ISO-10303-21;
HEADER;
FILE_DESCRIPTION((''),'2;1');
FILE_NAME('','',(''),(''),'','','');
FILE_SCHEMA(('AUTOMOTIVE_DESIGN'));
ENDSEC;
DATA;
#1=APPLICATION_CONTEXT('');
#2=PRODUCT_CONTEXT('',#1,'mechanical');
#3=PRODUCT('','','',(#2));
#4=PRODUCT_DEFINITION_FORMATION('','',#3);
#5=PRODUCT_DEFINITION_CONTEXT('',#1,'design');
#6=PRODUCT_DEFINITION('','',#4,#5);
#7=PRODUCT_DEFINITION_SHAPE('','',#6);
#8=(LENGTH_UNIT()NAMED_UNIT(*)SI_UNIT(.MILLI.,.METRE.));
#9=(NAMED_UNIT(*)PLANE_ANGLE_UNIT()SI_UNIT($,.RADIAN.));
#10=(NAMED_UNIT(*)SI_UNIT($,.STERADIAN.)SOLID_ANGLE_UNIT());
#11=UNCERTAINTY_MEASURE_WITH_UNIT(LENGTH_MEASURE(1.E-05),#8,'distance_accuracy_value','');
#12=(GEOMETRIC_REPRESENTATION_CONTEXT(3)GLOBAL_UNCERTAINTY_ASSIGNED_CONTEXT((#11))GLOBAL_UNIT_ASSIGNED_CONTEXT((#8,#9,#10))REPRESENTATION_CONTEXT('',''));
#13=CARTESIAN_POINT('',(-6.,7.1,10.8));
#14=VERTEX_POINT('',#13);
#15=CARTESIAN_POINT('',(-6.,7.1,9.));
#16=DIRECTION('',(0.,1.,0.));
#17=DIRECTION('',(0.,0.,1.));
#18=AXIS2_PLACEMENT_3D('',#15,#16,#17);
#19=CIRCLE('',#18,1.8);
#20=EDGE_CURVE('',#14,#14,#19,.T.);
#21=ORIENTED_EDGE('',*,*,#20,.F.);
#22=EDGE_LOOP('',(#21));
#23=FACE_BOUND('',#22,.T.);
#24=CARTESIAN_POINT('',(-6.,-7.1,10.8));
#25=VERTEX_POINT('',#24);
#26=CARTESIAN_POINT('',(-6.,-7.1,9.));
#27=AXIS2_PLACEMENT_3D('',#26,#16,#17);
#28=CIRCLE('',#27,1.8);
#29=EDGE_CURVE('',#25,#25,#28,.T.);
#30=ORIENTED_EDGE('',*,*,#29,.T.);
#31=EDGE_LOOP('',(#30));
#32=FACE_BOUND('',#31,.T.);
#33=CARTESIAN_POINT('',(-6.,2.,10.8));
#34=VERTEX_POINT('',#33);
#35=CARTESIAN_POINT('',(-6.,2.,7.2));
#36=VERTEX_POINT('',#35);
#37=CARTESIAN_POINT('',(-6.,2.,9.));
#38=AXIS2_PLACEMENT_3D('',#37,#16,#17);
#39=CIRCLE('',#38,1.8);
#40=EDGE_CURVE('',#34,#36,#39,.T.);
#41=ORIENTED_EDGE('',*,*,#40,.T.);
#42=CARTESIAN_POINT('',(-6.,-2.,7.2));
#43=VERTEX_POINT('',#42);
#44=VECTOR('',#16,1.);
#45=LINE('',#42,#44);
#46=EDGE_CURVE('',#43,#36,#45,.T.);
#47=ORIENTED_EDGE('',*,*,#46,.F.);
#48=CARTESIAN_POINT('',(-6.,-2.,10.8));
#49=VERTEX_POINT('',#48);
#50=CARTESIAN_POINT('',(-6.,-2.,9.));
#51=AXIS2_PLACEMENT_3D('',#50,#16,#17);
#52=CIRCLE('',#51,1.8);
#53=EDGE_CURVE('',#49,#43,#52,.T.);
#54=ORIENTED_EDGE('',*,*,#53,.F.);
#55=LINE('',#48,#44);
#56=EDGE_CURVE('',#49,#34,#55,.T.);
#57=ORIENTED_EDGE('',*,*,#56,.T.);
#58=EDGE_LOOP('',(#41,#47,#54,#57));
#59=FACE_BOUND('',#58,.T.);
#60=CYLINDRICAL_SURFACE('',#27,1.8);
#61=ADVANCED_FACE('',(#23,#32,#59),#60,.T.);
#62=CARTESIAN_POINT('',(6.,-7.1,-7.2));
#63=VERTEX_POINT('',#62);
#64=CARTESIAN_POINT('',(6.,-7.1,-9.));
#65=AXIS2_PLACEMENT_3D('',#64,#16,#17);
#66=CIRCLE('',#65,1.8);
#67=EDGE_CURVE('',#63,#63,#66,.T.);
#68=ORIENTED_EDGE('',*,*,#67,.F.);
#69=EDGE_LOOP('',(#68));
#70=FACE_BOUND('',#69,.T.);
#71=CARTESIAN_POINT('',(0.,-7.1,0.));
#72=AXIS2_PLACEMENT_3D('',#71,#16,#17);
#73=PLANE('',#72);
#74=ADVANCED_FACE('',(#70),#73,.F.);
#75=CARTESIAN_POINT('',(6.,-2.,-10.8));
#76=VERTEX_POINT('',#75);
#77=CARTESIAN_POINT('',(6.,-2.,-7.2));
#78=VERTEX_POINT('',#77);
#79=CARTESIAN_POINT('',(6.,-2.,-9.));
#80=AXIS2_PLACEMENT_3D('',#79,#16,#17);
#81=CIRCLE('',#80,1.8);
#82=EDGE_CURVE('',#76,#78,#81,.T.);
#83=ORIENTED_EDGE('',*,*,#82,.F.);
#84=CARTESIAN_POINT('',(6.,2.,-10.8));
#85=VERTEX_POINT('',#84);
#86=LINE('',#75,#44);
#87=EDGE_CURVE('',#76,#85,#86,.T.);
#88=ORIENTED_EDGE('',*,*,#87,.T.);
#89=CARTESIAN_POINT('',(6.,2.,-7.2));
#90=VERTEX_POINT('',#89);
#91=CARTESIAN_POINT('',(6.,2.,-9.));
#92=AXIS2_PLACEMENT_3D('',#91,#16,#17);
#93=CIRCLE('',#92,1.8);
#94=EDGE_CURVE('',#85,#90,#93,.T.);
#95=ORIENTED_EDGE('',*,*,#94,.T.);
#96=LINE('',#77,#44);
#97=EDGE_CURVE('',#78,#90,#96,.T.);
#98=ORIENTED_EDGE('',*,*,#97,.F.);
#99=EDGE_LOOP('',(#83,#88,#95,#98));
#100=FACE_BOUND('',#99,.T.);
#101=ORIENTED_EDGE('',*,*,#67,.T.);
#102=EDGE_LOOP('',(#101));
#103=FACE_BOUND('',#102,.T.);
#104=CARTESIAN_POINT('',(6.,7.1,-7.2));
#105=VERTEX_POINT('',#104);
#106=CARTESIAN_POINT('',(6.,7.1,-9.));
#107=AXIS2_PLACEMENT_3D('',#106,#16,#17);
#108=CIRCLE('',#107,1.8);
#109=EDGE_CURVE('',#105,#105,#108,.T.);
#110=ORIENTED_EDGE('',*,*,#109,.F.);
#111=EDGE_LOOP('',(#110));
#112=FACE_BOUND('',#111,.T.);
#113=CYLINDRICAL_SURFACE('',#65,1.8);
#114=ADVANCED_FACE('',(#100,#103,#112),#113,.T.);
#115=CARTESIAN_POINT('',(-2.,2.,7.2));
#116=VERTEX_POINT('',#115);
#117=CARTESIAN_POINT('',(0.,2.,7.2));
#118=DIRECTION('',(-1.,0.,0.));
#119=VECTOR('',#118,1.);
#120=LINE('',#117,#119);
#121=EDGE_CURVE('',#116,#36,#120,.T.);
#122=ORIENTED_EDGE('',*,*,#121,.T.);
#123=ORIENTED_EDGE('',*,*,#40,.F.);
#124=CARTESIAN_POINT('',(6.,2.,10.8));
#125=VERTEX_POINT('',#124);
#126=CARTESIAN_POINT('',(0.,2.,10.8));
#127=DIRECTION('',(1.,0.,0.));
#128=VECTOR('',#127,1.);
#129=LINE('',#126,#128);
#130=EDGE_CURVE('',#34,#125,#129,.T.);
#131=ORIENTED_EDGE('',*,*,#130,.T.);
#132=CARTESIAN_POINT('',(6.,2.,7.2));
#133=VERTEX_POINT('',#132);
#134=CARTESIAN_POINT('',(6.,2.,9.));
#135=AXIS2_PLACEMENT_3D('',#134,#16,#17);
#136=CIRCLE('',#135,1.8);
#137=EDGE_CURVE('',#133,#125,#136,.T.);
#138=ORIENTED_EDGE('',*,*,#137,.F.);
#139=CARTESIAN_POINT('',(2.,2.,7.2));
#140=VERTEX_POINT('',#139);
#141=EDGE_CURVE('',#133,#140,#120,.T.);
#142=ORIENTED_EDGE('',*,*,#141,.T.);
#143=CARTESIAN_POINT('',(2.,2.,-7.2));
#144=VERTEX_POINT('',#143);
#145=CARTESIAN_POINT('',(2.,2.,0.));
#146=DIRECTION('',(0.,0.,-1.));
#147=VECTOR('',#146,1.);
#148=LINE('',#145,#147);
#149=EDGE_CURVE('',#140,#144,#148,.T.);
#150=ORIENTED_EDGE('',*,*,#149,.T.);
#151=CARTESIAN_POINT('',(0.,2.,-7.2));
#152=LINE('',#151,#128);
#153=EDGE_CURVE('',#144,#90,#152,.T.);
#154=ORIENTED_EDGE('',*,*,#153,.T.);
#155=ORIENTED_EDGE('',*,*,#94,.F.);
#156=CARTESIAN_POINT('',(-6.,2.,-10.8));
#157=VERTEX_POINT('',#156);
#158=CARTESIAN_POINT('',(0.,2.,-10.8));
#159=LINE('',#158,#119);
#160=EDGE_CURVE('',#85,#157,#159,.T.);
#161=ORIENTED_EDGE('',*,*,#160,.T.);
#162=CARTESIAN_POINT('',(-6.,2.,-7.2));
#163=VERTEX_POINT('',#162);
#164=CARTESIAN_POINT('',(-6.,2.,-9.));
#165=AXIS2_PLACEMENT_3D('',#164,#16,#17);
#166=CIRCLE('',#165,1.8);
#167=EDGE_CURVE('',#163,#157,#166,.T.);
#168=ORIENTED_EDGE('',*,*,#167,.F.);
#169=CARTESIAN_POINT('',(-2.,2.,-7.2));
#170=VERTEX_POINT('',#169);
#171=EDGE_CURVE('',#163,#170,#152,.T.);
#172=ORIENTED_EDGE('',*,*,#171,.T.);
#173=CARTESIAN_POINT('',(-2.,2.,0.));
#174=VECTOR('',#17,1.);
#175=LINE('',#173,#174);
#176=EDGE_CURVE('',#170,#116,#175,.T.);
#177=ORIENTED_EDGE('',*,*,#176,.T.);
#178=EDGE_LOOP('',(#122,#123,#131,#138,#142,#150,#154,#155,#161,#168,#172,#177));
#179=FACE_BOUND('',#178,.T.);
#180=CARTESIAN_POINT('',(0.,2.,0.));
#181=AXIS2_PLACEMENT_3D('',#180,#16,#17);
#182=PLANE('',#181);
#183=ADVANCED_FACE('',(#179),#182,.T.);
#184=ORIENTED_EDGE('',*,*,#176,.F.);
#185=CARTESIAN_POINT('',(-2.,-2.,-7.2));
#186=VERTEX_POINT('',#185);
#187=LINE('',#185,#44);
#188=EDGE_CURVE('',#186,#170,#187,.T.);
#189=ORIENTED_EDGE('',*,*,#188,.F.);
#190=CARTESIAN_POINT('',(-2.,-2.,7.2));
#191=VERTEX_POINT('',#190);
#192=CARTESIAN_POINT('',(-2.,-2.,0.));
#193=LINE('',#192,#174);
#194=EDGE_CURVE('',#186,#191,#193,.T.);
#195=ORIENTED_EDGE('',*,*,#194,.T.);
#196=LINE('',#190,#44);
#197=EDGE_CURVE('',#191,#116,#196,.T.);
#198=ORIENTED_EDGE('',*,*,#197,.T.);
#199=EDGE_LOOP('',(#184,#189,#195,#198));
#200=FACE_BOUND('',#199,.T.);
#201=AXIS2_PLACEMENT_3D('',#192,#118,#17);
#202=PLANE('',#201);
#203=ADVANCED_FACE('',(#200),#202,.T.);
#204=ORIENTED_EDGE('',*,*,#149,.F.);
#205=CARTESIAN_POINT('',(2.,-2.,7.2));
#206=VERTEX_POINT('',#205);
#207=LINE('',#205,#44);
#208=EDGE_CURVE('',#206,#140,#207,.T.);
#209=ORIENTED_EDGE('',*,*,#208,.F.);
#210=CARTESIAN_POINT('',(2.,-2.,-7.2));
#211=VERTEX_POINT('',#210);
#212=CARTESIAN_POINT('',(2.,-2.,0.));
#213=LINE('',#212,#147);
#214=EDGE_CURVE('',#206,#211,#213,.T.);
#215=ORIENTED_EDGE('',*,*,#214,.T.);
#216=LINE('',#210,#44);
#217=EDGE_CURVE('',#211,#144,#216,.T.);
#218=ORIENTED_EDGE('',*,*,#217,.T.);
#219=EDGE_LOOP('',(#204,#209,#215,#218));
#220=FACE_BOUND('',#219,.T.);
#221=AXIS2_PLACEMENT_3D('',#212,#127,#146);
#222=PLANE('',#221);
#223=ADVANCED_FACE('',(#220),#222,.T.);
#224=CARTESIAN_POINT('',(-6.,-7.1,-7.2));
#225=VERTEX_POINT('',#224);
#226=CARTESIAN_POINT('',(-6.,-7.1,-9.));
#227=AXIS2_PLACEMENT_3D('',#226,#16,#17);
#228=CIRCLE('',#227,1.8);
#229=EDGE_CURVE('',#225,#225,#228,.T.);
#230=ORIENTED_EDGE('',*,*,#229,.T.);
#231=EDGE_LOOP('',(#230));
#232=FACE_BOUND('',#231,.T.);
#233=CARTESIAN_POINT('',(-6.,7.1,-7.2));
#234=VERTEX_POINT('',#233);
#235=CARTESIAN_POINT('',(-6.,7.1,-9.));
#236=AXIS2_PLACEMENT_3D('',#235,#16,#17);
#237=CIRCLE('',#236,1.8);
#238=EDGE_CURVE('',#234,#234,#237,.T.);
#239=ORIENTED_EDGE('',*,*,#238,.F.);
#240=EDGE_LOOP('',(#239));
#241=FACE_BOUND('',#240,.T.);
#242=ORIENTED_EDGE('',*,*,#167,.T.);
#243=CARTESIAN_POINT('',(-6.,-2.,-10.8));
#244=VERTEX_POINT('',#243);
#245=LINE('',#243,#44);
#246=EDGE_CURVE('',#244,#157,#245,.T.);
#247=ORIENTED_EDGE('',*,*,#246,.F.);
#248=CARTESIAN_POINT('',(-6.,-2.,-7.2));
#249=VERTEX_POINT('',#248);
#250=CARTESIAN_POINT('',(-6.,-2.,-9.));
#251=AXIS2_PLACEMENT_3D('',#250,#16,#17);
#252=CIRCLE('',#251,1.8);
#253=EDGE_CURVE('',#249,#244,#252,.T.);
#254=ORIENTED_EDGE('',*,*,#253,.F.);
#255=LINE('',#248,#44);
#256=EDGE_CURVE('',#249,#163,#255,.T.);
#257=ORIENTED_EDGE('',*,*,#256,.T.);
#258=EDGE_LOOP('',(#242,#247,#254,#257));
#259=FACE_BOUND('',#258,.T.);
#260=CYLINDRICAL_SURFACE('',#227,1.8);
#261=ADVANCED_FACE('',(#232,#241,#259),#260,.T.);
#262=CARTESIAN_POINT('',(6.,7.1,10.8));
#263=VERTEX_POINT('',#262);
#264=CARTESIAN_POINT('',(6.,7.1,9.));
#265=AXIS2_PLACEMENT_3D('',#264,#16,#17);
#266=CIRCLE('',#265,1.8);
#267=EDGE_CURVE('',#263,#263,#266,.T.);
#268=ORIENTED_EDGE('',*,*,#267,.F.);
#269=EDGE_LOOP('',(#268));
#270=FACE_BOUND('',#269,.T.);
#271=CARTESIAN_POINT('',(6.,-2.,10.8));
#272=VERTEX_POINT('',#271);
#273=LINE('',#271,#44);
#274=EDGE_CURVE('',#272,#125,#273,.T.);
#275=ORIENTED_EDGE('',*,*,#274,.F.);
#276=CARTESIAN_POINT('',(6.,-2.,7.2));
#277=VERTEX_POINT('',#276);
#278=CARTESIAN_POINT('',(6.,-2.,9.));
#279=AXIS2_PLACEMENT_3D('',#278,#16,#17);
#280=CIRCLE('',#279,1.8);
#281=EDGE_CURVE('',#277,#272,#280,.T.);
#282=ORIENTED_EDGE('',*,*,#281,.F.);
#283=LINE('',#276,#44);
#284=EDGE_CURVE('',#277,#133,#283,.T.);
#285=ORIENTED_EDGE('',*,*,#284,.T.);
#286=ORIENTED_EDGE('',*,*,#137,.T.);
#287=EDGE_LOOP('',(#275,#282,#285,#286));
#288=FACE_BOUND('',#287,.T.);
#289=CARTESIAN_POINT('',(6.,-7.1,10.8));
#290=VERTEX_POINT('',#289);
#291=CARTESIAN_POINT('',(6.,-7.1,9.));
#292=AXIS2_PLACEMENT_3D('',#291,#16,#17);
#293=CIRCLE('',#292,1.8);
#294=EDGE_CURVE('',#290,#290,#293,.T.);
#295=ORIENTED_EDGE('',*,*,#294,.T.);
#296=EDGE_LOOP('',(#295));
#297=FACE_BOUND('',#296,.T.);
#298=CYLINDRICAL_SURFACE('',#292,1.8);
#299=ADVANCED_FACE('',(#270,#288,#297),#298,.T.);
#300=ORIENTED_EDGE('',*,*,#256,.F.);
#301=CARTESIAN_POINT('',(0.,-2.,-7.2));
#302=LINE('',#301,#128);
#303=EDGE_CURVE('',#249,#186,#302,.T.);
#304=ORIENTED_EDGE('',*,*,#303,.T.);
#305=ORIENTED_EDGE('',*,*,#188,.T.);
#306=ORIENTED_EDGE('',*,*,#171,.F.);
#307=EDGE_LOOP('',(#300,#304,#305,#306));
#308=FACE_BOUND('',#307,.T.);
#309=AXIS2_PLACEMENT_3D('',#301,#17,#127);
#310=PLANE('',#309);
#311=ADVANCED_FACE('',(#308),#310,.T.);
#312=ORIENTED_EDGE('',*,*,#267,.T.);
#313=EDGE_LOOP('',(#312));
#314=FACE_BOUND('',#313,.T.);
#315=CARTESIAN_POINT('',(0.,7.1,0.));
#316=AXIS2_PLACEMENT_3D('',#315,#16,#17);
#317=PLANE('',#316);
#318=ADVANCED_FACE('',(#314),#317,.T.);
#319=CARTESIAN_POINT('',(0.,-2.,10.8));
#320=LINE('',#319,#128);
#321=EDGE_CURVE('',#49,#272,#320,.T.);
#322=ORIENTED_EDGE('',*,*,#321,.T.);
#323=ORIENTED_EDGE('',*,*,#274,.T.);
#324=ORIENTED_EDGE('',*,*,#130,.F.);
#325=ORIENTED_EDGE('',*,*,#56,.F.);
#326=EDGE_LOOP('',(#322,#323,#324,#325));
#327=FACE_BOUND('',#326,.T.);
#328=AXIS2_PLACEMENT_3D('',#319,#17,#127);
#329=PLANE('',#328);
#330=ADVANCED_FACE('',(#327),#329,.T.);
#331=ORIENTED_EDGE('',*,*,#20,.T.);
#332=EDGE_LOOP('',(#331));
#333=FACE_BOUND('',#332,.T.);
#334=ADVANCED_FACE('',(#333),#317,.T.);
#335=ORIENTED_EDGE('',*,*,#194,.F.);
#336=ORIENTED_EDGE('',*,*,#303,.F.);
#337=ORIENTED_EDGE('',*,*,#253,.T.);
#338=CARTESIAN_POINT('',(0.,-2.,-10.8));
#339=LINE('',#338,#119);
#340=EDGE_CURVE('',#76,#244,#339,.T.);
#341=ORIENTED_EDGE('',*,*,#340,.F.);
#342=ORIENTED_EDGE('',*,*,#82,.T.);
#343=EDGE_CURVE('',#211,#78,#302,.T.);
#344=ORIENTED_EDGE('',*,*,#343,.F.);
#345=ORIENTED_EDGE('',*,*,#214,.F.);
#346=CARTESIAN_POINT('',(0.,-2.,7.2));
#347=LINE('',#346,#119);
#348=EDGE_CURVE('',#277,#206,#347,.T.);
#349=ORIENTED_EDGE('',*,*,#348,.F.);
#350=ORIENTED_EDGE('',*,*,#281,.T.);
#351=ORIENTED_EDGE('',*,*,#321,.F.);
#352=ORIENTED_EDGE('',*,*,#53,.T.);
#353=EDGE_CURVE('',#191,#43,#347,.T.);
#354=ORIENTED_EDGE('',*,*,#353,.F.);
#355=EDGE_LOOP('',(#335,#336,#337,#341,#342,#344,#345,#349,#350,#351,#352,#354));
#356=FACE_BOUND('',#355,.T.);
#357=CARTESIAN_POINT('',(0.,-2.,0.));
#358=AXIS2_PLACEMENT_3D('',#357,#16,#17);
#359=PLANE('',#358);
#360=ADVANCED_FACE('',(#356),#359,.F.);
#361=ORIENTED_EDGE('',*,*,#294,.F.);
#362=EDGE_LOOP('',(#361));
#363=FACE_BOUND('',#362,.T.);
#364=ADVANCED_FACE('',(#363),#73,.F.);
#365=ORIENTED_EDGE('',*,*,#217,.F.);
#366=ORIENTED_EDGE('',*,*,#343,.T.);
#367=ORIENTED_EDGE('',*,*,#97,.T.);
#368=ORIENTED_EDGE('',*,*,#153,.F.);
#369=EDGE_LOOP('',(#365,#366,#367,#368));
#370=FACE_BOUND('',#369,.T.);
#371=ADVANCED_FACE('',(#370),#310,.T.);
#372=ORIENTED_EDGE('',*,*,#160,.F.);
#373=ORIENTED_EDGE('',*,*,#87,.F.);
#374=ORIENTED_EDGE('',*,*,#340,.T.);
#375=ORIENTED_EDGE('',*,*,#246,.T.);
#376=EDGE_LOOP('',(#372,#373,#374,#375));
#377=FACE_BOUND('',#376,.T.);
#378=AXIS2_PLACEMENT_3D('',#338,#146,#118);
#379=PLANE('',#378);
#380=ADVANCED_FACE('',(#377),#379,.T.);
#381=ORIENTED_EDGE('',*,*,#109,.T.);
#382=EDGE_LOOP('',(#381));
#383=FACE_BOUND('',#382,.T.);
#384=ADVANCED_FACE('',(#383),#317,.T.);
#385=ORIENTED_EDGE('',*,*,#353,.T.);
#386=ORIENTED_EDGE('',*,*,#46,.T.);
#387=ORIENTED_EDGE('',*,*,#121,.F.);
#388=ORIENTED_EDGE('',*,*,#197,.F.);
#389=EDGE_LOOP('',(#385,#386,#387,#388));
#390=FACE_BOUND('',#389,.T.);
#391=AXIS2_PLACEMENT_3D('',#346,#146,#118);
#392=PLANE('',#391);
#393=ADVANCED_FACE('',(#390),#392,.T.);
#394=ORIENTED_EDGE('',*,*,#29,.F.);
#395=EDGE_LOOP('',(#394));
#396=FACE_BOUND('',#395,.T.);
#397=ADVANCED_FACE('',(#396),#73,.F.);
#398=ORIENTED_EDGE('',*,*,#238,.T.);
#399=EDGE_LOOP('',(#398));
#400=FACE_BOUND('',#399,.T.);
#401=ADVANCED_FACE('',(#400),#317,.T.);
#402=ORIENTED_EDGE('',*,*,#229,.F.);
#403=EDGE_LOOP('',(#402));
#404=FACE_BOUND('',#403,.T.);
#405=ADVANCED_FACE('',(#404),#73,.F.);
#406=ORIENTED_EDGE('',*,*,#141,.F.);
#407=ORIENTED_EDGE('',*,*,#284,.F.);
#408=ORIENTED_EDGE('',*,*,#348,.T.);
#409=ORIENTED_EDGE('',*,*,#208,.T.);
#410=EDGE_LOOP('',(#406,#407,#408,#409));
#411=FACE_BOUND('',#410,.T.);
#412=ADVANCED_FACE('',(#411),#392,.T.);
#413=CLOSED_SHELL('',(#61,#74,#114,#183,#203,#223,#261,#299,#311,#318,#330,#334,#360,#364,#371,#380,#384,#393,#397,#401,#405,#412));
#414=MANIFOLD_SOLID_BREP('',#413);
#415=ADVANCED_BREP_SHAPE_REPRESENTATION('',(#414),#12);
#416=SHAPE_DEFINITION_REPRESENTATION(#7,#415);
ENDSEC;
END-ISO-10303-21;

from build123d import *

# Parameters (mm, degrees)
BOSS_EXTRUDE1_DEPTH      = 2
BOSS_EXTRUDE1_DEPTH_BACK = 2
BOSS_EXTRUDE2_DEPTH      = 7.1
BOSS_EXTRUDE2_DEPTH_BACK = 7.1
SKETCH1_4_R              = 1.8


with BuildPart() as part:
    # Sketch1 → Boss-Extrude1 (new, two sides: drawn at the far end of the back side and taken through both)
    with BuildSketch(Plane(origin=(0, 0, 0), x_dir=(1, 0, 0), z_dir=(0, 1, 0)).offset(-BOSS_EXTRUDE1_DEPTH_BACK)):
        with BuildLine():
            ThreePointArc((-4.2, -9), (-4.727207794, -10.272792206), (-6, -10.8))
            Line((-6, -10.8), (6, -10.8))
            ThreePointArc((6, -10.8), (4.2, -9), (6, -7.2))
            Line((6, -7.2), (2, -7.2))
            Line((2, -7.2), (2, 7.2))
            Line((2, 7.2), (6, 7.2))
            ThreePointArc((6, 7.2), (4.2, 9), (6, 10.8))
            Line((6, 10.8), (-6, 10.8))
            ThreePointArc((-6, 10.8), (-4.727207794, 10.272792206), (-4.2, 9))
            ThreePointArc((-4.2, 9), (-4.727207794, 7.727207794), (-6, 7.2))
            Line((-6, 7.2), (-2, 7.2))
            Line((-2, 7.2), (-2, -7.2))
            Line((-2, -7.2), (-6, -7.2))
            ThreePointArc((-6, -7.2), (-4.727207794, -7.727207794), (-4.2, -9))
        make_face()
    extrude(amount=BOSS_EXTRUDE1_DEPTH + BOSS_EXTRUDE1_DEPTH_BACK)

    # Sketch1<4> → Boss-Extrude2 (add, two sides: drawn at the far end of the back side and taken through both)
    with BuildSketch(Plane(origin=(0, 0, 0), x_dir=(1, 0, 0), z_dir=(0, 1, 0)).offset(-BOSS_EXTRUDE2_DEPTH_BACK)):
        with Locations((-6, -9)):
            Circle(SKETCH1_4_R)
        with Locations((6, -9)):
            Circle(SKETCH1_4_R)
        with Locations((-6, 9)):
            Circle(SKETCH1_4_R)
        with Locations((6, 9)):
            Circle(SKETCH1_4_R)
    extrude(amount=BOSS_EXTRUDE2_DEPTH + BOSS_EXTRUDE2_DEPTH_BACK)


solid = part.part
